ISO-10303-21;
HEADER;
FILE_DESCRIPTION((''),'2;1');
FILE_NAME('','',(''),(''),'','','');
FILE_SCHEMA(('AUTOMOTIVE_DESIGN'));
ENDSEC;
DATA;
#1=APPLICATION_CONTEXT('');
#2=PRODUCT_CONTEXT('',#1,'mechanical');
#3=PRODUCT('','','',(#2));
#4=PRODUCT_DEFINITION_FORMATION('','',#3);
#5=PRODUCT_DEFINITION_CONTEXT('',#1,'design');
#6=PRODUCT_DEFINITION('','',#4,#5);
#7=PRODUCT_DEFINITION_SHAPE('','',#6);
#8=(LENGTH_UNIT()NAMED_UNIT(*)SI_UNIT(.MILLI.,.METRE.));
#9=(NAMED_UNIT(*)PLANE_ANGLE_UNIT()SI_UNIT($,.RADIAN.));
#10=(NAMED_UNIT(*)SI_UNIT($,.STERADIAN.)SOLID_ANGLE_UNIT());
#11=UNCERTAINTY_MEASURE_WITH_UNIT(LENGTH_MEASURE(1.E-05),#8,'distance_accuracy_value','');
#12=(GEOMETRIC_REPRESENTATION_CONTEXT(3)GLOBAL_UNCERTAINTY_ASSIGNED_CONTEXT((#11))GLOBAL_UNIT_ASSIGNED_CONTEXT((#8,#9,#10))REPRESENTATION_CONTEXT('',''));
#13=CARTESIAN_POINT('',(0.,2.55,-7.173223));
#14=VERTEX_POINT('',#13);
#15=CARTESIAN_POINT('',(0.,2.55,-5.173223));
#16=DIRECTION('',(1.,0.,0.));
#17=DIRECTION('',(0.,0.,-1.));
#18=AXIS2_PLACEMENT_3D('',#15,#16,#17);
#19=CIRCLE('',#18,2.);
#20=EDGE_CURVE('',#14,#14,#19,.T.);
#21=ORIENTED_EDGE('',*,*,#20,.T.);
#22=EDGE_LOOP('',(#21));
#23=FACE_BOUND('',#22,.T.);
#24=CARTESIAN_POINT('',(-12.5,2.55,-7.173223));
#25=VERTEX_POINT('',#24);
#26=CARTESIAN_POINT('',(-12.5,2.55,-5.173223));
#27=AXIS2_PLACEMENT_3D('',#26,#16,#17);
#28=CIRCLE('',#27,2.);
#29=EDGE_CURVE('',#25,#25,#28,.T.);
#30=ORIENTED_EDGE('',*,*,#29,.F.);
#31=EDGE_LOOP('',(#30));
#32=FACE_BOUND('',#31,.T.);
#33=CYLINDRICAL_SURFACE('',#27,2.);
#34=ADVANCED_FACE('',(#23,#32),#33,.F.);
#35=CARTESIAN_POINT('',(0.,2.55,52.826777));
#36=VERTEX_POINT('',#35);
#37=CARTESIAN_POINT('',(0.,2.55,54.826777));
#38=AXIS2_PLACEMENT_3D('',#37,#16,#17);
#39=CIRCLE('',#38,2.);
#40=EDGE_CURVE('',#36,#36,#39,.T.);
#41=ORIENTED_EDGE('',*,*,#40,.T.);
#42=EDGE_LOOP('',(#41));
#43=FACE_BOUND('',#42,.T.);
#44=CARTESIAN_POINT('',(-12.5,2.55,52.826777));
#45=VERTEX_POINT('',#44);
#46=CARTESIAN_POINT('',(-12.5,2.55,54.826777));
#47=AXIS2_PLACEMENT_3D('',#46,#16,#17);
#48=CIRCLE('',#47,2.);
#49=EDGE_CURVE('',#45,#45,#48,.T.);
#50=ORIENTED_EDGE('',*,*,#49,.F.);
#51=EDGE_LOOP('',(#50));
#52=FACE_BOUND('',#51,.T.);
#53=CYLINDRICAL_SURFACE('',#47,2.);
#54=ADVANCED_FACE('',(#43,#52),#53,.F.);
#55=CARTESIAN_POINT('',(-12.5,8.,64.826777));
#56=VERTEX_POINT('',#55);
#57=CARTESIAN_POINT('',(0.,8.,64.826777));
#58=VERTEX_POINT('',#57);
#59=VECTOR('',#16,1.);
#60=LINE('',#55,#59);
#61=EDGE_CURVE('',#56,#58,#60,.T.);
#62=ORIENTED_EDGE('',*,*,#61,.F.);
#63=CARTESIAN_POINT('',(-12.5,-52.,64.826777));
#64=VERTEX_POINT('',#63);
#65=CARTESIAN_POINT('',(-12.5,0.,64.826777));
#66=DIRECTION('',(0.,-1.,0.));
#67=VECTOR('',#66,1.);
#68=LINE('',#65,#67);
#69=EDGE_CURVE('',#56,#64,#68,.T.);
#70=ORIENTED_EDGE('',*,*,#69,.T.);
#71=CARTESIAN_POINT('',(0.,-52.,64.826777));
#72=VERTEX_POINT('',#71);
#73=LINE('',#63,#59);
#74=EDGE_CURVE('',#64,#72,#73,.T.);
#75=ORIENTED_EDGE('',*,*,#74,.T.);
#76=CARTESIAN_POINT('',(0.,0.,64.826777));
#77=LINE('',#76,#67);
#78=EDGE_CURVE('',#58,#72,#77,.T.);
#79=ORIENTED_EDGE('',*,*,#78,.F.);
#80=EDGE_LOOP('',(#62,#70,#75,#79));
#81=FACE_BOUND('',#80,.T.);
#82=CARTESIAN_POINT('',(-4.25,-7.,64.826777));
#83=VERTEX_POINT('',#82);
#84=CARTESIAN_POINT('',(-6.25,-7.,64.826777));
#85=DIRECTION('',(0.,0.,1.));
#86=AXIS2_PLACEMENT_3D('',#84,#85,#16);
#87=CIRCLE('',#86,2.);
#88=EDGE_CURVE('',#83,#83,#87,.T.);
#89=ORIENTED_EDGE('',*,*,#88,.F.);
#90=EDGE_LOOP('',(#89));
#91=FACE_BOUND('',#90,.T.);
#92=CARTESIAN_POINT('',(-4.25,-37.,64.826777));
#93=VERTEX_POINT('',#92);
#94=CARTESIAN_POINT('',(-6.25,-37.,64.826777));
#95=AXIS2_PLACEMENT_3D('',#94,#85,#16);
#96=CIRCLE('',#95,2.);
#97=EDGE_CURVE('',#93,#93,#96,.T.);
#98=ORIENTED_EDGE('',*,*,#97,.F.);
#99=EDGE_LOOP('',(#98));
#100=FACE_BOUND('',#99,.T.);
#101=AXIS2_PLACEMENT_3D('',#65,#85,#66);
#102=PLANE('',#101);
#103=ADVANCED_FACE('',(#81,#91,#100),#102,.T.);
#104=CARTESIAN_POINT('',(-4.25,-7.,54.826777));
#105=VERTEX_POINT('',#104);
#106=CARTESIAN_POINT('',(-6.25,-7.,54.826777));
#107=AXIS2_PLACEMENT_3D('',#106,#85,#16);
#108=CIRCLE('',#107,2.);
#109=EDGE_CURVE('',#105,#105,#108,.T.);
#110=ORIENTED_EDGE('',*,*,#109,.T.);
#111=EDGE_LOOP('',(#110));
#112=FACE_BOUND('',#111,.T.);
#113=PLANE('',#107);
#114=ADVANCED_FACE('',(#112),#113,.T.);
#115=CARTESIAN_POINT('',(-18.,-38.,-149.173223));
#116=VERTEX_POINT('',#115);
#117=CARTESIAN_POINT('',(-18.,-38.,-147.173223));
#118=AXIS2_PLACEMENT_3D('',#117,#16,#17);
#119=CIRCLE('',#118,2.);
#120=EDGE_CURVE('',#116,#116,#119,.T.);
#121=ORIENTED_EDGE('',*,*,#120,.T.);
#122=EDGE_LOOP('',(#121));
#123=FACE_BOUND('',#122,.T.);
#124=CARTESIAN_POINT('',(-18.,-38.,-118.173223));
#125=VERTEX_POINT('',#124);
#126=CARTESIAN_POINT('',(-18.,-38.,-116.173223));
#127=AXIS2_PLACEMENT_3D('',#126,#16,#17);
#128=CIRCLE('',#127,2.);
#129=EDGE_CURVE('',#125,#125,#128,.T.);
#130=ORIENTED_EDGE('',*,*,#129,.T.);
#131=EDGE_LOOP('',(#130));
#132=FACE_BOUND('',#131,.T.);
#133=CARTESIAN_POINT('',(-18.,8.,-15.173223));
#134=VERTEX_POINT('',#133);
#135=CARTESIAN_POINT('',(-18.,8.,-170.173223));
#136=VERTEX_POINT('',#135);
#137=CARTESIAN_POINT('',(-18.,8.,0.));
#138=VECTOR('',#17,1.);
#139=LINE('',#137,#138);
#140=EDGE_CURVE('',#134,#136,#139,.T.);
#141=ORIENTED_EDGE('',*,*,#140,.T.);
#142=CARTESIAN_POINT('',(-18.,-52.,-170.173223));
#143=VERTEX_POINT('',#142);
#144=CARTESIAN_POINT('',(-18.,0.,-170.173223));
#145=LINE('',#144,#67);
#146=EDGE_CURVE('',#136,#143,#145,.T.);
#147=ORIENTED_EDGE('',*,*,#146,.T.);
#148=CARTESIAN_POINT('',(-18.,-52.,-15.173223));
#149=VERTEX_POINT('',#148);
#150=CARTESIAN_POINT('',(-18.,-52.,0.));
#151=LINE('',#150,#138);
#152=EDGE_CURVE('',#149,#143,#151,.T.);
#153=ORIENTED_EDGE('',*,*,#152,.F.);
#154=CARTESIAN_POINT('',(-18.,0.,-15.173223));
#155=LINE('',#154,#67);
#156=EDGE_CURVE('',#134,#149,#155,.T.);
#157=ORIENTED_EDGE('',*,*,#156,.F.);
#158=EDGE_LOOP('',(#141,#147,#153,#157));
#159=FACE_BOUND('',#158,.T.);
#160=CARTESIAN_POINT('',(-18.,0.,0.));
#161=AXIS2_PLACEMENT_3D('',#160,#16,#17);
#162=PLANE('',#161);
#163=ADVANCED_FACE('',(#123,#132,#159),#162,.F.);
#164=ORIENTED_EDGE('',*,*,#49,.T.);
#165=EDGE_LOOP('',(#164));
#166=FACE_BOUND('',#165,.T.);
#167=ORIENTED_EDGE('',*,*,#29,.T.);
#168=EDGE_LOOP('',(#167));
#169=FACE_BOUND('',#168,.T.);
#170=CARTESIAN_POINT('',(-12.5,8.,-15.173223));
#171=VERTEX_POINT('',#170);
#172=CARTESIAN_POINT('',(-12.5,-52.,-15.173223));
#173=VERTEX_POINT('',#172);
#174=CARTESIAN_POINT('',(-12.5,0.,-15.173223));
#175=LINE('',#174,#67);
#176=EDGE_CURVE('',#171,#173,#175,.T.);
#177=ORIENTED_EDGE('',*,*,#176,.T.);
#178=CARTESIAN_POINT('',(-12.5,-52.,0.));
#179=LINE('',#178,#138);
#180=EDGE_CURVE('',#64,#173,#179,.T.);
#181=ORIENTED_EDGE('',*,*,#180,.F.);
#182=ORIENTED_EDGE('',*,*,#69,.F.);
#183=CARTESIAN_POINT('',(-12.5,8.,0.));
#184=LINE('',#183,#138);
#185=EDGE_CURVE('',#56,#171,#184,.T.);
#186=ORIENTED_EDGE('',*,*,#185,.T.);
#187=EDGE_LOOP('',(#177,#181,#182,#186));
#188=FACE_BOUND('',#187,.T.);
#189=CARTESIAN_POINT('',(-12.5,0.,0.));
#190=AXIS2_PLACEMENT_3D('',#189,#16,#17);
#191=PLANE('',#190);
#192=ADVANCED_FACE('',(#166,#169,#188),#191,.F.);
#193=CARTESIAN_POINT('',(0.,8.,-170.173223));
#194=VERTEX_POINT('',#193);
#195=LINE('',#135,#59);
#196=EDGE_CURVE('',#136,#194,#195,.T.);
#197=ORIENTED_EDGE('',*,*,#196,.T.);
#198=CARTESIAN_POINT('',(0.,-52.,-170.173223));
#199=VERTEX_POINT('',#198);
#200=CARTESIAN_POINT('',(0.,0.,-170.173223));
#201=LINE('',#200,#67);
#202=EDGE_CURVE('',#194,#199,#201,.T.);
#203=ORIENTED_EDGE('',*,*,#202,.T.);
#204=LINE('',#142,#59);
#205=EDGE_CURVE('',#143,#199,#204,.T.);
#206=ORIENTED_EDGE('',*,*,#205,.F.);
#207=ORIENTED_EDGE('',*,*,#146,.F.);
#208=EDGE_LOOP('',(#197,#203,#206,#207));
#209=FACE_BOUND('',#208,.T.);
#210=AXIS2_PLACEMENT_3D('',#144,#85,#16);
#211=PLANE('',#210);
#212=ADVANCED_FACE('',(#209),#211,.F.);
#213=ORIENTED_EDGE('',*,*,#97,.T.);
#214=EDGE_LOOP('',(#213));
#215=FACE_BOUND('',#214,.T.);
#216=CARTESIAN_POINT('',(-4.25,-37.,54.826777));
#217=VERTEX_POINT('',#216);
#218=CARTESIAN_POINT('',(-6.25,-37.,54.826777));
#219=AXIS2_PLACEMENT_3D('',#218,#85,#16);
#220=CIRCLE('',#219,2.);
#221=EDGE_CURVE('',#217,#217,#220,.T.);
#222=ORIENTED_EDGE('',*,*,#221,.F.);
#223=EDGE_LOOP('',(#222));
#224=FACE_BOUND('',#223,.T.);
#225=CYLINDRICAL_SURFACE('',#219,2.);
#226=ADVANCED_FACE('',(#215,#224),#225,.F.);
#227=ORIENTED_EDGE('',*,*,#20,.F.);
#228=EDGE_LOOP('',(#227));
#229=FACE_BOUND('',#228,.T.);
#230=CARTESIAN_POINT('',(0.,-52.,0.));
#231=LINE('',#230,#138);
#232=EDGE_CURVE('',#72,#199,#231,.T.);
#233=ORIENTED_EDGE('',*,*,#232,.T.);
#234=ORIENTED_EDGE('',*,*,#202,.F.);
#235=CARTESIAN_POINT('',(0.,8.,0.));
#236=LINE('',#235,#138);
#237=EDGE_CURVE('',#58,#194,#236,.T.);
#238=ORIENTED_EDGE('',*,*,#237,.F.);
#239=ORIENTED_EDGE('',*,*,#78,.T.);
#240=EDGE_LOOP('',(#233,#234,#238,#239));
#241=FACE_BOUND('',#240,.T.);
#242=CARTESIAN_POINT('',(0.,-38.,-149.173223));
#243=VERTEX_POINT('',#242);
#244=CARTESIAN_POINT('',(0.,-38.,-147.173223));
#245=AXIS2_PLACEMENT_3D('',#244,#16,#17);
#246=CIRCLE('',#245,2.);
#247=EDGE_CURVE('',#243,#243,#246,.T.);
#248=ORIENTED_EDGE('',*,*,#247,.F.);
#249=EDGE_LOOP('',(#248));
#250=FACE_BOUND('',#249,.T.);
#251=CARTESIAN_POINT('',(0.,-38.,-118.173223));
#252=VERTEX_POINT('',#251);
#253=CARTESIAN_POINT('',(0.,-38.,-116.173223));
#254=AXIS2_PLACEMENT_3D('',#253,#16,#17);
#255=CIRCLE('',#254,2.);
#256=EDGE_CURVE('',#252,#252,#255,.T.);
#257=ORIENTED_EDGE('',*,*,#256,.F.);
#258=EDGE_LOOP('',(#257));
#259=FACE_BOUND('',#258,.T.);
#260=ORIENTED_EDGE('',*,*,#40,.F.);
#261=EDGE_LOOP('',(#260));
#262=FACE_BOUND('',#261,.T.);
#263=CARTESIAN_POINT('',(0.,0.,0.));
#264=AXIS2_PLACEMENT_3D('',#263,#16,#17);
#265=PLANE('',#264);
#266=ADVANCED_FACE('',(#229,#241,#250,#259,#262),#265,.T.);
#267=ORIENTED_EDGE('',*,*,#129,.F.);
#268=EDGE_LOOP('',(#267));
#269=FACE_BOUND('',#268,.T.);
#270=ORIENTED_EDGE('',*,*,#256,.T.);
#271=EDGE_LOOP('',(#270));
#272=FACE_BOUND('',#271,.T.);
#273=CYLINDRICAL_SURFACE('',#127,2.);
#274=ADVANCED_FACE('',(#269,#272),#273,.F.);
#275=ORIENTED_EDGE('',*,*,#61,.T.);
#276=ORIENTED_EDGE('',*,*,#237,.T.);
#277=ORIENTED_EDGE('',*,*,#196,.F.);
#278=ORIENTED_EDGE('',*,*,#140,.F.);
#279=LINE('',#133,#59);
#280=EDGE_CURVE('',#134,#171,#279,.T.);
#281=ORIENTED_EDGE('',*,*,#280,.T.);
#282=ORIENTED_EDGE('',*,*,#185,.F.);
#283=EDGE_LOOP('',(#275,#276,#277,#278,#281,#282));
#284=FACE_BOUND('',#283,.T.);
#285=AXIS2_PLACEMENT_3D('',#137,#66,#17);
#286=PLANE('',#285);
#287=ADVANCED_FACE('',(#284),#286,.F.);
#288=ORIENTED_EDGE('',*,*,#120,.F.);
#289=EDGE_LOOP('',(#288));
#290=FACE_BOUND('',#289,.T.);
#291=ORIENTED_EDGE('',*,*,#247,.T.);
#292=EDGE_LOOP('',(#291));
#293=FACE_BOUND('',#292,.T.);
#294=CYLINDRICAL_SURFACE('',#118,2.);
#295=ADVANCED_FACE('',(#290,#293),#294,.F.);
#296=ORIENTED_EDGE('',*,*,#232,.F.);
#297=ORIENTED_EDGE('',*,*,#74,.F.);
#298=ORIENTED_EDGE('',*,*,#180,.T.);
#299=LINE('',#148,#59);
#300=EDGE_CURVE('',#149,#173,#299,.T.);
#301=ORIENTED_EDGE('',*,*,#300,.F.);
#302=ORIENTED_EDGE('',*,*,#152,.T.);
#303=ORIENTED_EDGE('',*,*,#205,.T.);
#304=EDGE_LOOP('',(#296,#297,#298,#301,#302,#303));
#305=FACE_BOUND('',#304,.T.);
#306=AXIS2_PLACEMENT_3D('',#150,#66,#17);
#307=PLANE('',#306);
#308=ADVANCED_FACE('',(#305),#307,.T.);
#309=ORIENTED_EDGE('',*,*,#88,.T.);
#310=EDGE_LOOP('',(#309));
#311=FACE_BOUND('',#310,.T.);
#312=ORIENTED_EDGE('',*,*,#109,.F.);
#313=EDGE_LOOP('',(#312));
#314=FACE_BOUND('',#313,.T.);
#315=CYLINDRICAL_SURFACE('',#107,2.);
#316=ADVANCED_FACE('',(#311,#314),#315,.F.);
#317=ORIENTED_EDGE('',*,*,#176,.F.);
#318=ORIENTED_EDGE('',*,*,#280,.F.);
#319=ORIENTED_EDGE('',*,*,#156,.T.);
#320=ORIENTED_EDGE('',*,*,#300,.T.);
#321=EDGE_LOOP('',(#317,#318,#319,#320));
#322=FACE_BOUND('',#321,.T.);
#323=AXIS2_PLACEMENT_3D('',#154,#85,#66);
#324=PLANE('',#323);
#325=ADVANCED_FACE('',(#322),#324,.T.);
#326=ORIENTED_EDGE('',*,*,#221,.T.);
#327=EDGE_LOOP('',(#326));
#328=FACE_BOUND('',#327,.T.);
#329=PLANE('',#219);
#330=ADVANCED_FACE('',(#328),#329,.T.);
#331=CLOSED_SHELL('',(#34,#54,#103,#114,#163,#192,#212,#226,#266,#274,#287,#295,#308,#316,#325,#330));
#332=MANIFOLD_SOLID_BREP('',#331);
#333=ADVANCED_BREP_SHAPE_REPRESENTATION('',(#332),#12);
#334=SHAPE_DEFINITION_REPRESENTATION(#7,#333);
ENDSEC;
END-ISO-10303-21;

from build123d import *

# Parameters (mm, degrees)
ESQUISSE1_W             = 155
ESQUISSE1_H             = 60
ESQUISSE1_R             = 2
BOSS_EXTRU_1_DEPTH      = 18
ESQUISSE1_5_W           = 80
ESQUISSE1_5_H           = 60
ESQUISSE1_5_R           = 2
BOSS_EXTRU_2_DEPTH      = 12.5
ESQUISSE6_R             = 2
ENL_V_MAT_EXTRU_2_DEPTH = 10


with BuildPart() as part:
    # Esquisse1 → Boss.-Extru.1 (new body)
    with BuildSketch(Plane(origin=(0, 0, 0), x_dir=(0, 0, -1), z_dir=(1, 0, 0))):
        with Locations((92.673222626, -22)):
            Rectangle(ESQUISSE1_W, ESQUISSE1_H)
        with Locations((116.173222626, -38)):
            Circle(ESQUISSE1_R, mode=Mode.SUBTRACT)
        with Locations((147.173222626, -38)):
            Circle(ESQUISSE1_R, mode=Mode.SUBTRACT)
    extrude(amount=-BOSS_EXTRU_1_DEPTH)

    # Esquisse1<5> → Boss.-Extru.2 (add)
    with BuildSketch(Plane(origin=(0, 0, 0), x_dir=(0, 0, -1), z_dir=(1, 0, 0))):
        with Locations((-24.826777374, -22)):
            Rectangle(ESQUISSE1_5_W, ESQUISSE1_5_H)
        with Locations((-54.826777374, 2.55)):
            Circle(ESQUISSE1_5_R, mode=Mode.SUBTRACT)
        with Locations((5.173222626, 2.55)):
            Circle(ESQUISSE1_5_R, mode=Mode.SUBTRACT)
    extrude(amount=-BOSS_EXTRU_2_DEPTH)

    # Esquisse6 → Enlèv. mat.-Extru.2 (cut)
    with BuildSketch(Plane.XY.offset(64.826777374)):
        with Locations((-6.25, -7)):
            Circle(ESQUISSE6_R)
        with Locations((-6.25, -37)):
            Circle(ESQUISSE6_R)
    extrude(amount=-ENL_V_MAT_EXTRU_2_DEPTH, mode=Mode.SUBTRACT)


solid = part.part
